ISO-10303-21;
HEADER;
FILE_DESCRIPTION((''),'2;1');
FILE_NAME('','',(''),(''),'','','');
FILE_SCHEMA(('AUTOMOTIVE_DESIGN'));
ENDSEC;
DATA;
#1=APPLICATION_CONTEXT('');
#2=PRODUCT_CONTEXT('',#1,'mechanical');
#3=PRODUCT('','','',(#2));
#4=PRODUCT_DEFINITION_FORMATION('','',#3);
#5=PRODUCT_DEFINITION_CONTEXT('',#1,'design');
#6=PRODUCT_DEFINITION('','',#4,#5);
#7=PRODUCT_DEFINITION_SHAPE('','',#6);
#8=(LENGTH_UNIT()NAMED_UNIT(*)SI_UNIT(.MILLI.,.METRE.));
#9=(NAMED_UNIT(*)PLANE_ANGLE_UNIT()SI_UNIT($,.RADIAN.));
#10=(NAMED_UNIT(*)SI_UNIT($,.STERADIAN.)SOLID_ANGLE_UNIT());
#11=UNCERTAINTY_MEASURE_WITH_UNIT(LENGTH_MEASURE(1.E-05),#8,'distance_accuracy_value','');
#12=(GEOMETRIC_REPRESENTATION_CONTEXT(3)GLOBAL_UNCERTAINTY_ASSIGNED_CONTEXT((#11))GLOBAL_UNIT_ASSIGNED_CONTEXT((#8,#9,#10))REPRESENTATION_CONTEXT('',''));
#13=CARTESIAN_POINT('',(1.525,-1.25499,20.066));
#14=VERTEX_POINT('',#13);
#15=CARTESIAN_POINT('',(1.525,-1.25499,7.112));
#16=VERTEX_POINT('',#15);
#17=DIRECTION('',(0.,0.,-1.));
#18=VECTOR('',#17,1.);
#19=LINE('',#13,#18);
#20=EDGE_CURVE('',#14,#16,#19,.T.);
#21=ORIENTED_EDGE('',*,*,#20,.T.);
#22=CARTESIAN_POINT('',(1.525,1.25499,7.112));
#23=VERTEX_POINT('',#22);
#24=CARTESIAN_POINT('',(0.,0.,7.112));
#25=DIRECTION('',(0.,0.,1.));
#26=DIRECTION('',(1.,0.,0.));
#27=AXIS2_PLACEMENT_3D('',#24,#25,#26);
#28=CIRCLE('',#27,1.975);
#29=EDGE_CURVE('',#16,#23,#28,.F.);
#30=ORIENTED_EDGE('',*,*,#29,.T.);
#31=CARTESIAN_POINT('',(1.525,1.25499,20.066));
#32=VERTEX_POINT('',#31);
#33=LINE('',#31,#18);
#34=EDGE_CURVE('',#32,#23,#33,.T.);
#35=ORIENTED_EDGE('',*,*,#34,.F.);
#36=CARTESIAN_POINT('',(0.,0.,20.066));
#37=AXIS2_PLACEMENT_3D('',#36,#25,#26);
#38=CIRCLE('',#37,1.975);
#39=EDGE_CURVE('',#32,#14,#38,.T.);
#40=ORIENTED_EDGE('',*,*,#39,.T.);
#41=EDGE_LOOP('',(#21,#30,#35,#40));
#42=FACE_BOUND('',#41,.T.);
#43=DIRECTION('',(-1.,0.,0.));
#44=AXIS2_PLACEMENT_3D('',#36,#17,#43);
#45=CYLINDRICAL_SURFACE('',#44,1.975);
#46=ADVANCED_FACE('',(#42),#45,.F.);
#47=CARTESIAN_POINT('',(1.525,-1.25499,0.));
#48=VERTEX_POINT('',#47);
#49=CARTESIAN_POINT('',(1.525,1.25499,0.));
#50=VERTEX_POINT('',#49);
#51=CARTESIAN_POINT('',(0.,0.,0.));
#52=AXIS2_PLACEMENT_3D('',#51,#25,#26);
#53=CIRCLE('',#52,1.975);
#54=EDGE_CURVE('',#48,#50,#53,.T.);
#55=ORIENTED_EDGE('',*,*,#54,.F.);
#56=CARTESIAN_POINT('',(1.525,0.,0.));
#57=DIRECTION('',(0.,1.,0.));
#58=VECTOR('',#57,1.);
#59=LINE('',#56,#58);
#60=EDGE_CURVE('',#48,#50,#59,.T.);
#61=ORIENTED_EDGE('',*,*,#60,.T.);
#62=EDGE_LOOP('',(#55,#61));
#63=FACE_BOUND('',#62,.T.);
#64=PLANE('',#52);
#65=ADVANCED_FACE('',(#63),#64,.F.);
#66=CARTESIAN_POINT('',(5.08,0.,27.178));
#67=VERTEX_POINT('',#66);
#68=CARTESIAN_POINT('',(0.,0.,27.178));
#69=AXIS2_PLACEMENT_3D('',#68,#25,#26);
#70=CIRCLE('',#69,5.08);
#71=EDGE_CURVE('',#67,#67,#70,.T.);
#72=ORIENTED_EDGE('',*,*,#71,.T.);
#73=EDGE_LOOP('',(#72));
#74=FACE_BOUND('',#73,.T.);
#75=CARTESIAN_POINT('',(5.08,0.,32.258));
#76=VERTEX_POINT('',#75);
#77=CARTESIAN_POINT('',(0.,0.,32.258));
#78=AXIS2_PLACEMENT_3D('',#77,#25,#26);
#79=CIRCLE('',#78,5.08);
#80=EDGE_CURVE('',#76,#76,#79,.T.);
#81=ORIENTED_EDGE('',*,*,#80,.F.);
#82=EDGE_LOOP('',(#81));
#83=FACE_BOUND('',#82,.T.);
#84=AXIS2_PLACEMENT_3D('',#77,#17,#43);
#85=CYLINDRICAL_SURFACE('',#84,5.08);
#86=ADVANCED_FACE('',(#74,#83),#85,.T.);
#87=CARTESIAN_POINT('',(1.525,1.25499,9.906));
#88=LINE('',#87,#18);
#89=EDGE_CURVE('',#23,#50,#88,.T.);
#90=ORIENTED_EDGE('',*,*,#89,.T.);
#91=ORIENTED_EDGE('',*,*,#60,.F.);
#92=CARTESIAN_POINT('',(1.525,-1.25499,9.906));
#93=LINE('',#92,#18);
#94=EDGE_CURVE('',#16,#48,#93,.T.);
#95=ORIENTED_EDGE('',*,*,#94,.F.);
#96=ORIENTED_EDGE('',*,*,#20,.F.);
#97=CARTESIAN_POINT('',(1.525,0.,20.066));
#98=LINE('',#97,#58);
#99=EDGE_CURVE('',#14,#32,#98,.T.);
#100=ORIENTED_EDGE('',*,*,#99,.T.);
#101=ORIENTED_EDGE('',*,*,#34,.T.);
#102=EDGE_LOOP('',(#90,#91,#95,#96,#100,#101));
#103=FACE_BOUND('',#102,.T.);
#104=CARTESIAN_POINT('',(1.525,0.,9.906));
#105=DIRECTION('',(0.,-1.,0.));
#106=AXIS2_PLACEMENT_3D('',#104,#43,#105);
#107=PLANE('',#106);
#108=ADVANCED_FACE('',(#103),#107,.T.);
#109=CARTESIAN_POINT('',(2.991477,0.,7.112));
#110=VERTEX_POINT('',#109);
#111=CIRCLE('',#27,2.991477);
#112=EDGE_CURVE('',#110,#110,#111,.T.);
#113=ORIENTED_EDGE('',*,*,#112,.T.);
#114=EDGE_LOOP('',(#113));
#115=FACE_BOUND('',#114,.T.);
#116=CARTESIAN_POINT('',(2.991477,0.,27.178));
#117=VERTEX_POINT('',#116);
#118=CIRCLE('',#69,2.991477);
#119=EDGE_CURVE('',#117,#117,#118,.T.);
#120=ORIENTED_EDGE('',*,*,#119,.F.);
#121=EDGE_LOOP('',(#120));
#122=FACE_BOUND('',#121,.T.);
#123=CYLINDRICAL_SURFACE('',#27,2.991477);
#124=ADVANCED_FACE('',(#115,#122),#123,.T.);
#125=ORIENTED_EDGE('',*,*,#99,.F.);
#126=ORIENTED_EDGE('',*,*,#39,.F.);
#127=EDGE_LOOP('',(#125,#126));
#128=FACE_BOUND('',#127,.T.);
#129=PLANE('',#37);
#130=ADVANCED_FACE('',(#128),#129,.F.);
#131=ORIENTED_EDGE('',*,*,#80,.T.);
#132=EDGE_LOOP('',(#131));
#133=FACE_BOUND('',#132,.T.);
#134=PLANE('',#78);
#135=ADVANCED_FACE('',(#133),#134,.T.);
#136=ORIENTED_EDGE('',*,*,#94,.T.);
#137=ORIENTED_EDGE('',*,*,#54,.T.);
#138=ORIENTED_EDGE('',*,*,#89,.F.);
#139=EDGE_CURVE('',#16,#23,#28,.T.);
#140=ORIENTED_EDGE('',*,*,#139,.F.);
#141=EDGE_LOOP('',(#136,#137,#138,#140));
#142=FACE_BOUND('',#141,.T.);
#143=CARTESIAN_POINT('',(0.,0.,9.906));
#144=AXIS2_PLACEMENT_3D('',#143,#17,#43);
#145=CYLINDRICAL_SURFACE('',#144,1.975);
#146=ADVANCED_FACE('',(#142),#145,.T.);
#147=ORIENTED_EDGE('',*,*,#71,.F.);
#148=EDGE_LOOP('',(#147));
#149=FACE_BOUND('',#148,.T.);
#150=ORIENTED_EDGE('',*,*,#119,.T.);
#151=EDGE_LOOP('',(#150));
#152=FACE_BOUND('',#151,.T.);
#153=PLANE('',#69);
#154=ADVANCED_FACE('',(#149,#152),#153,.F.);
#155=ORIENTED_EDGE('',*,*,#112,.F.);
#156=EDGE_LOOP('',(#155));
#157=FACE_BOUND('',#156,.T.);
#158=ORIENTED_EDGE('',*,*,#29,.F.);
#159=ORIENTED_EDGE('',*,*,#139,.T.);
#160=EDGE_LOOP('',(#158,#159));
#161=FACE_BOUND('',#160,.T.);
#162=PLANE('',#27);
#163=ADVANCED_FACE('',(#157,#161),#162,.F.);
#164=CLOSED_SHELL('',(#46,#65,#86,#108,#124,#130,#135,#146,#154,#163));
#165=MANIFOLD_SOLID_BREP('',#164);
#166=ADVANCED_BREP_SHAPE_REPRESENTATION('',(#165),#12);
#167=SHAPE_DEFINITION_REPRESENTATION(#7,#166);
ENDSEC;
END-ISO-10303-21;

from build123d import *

# Parameters (mm, degrees)
BOSS_EXTRUDE1_DEPTH = 9.906
SKETCH6_R           = 1.975
BOSS_EXTRUDE2_DEPTH = 17.272
SKETCH7_R           = 2.99147738
BOSS_EXTRUDE3_DEPTH = 20.066
CUT_EXTRUDE1_DEPTH  = 20.066
SKETCH9_R           = 5.08
BOSS_EXTRUDE4_DEPTH = 5.08


with BuildPart() as part:
    # Sketch5 → Boss-Extrude1 (new body)
    with BuildSketch(Plane.XY):
        with BuildLine():
            Line((1.525, 0), (1.525, 1.25499004))
            ThreePointArc((1.525, 1.25499004), (1.975, 0), (1.525, -1.25499004))
            Line((1.525, -1.25499004), (1.525, 0))
        make_face()
    extrude(amount=BOSS_EXTRUDE1_DEPTH)

    # Sketch6 → Boss-Extrude2 (add)
    with BuildSketch(Plane.XY.offset(9.906)):
        Circle(SKETCH6_R)
    extrude(amount=BOSS_EXTRUDE2_DEPTH)

    # Sketch7 → Boss-Extrude3 (add)
    with BuildSketch(Plane.XY.offset(27.178)):
        Circle(SKETCH7_R)
    extrude(amount=-BOSS_EXTRUDE3_DEPTH)

    # Sketch8 → Cut-Extrude1 (cut)
    with BuildSketch(Plane.XY):
        with BuildLine():
            Line((1.525, 1.25499004), (1.525, 0))
            Line((1.525, 0), (1.525, -1.25499004))
            ThreePointArc((1.525, -1.25499004), (-1.975, 0), (1.525, 1.25499004))
        make_face()
    extrude(amount=CUT_EXTRUDE1_DEPTH, mode=Mode.SUBTRACT)

    # Sketch9 → Boss-Extrude4 (add)
    with BuildSketch(Plane.XY.offset(27.178)):
        Circle(SKETCH9_R)
    extrude(amount=BOSS_EXTRUDE4_DEPTH)


solid = part.part
